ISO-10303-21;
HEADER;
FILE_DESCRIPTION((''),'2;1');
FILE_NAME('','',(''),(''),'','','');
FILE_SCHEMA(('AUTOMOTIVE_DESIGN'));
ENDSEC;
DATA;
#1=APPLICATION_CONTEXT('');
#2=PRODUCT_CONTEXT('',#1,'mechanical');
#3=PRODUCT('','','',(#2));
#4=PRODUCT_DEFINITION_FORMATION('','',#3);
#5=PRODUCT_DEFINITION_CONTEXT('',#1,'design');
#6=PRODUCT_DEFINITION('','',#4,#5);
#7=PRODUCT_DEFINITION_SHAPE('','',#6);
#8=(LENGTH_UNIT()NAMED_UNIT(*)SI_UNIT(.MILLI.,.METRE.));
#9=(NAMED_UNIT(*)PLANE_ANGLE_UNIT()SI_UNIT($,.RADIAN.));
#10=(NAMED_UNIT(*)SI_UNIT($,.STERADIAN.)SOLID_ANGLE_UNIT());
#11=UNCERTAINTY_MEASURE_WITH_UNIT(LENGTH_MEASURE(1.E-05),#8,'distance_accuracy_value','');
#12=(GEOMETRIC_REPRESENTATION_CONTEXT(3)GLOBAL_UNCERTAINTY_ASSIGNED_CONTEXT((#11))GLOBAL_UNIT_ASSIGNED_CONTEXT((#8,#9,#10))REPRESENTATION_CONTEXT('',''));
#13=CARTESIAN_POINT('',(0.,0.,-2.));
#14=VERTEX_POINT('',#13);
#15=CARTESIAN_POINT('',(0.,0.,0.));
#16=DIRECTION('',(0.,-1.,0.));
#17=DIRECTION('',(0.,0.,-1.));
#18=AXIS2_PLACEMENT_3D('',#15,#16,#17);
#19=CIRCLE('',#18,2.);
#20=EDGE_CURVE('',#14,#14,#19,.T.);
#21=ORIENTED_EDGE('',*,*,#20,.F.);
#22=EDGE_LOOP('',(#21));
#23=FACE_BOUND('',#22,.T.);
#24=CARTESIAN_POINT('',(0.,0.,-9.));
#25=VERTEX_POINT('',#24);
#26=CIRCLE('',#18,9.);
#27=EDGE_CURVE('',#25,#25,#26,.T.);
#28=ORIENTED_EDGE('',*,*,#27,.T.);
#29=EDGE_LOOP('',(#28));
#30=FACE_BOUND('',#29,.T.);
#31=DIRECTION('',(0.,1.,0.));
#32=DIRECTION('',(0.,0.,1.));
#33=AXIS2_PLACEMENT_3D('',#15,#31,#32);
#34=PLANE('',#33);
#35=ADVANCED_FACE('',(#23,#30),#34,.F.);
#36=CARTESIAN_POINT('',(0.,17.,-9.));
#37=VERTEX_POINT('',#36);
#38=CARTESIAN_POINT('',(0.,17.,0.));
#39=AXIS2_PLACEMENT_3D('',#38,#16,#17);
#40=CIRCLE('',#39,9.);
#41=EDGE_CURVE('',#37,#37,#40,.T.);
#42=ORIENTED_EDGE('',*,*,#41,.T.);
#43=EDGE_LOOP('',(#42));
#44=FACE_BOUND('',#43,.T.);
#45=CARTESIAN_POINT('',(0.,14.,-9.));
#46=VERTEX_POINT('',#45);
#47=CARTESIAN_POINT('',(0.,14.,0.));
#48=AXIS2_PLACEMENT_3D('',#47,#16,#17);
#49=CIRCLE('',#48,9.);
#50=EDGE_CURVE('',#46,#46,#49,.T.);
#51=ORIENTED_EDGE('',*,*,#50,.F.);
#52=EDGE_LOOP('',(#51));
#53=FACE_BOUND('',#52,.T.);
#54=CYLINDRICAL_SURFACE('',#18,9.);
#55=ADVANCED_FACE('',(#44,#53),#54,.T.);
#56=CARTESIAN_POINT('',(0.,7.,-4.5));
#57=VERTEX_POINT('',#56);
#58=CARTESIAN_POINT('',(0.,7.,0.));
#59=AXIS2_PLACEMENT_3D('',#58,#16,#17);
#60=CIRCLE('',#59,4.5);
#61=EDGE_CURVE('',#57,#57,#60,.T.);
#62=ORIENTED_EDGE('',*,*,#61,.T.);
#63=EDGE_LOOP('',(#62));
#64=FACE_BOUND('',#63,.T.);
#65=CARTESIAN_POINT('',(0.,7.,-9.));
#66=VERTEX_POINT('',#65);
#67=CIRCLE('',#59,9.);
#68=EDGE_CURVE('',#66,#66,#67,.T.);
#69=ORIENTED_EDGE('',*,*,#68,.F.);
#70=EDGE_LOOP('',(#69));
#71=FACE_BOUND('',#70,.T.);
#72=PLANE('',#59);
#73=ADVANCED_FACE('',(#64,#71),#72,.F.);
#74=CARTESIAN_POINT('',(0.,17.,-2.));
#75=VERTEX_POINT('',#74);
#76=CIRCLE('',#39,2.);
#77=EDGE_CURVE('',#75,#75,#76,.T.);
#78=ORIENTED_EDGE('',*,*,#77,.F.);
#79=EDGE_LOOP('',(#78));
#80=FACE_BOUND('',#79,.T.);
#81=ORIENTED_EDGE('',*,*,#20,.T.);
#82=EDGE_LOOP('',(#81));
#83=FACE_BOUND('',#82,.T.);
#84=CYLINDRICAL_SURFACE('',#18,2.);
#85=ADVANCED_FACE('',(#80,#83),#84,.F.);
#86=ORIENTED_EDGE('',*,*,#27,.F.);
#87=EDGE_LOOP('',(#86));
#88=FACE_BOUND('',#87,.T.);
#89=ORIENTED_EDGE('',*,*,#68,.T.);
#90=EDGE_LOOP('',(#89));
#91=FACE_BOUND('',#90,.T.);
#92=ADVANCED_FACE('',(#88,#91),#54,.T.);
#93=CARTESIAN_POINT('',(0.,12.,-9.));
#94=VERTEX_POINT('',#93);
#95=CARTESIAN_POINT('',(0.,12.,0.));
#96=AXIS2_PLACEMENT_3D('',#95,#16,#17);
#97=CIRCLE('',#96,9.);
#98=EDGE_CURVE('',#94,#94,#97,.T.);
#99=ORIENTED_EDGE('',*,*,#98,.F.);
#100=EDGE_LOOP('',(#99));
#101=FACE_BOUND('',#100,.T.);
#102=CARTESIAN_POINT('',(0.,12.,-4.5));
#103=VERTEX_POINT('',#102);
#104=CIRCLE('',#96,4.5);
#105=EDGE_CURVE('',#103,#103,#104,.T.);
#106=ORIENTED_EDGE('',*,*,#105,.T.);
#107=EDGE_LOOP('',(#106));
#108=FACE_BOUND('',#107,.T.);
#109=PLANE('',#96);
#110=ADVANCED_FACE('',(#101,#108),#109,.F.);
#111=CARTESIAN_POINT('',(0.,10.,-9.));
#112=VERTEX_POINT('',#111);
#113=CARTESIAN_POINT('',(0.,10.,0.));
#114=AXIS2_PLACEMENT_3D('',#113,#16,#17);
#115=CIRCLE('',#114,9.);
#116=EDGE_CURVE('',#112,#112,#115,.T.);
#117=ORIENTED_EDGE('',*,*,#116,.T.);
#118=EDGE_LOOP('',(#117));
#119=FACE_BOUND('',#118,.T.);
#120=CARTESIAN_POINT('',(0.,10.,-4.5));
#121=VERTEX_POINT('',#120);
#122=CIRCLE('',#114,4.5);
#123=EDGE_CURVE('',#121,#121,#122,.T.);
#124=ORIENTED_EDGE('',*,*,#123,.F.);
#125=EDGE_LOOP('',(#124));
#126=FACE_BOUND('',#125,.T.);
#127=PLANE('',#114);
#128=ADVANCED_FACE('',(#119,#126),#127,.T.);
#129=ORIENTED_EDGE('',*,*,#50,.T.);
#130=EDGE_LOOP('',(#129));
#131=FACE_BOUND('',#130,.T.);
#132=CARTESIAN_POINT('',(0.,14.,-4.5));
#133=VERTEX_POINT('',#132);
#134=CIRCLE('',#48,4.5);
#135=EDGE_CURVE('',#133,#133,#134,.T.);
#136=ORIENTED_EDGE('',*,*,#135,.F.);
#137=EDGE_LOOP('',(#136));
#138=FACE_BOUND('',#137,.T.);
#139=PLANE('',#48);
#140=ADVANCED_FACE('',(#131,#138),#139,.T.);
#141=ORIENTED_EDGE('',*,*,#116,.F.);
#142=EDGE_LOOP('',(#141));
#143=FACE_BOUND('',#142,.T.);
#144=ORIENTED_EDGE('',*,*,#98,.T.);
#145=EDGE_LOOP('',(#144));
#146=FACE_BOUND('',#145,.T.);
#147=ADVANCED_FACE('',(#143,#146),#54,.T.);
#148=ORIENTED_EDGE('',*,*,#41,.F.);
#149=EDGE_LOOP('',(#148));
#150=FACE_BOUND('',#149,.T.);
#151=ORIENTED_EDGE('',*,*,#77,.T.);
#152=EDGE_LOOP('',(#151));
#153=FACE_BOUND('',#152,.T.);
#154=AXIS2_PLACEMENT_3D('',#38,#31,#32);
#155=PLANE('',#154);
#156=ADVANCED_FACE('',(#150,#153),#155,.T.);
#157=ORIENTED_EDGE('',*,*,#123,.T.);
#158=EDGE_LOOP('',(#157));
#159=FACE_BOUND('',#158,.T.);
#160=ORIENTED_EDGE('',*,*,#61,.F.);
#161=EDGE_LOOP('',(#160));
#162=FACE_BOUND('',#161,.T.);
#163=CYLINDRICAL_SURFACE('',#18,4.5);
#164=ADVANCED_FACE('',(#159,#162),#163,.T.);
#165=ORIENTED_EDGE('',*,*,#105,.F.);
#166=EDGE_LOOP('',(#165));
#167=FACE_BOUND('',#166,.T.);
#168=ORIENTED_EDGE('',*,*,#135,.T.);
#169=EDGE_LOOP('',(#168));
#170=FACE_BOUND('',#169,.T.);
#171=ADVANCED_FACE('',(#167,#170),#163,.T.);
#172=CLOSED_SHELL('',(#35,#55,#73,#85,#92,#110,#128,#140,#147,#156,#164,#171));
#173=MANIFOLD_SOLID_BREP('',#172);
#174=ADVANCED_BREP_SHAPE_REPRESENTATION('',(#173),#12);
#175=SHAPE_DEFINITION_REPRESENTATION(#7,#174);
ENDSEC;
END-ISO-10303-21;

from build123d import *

# Parameters (mm, degrees)
SKETCH1_W   = 6.5
SKETCH1_H   = 3
SKETCH1_H_2 = 2
SKETCH1_H_3 = 7
SKETCH1_W_2 = 2


with BuildPart() as part:
    # Sketch1 → Revolve1 (revolve)
    with BuildSketch(Plane.XY):
        Polygon((2, 0), (2.5, 0), (2.5, 7), (2.5, 10), (2.5, 12), (2.5, 14), (2.5, 17), (2, 17), align=None)
        with Locations((5.75, 15.5)):
            Rectangle(SKETCH1_W, SKETCH1_H)
        with Locations((5.75, 11)):
            Rectangle(SKETCH1_W, SKETCH1_H_2)
        with Locations((5.75, 3.5)):
            Rectangle(SKETCH1_W, SKETCH1_H_3)
        with Locations((3.5, 8.5)):
            Rectangle(SKETCH1_W_2, SKETCH1_H)
        with Locations((3.5, 13)):
            Rectangle(SKETCH1_W_2, SKETCH1_H_2)
    revolve(axis=Axis((0, 0, 0), (0, 1, 0)))


solid = part.part
